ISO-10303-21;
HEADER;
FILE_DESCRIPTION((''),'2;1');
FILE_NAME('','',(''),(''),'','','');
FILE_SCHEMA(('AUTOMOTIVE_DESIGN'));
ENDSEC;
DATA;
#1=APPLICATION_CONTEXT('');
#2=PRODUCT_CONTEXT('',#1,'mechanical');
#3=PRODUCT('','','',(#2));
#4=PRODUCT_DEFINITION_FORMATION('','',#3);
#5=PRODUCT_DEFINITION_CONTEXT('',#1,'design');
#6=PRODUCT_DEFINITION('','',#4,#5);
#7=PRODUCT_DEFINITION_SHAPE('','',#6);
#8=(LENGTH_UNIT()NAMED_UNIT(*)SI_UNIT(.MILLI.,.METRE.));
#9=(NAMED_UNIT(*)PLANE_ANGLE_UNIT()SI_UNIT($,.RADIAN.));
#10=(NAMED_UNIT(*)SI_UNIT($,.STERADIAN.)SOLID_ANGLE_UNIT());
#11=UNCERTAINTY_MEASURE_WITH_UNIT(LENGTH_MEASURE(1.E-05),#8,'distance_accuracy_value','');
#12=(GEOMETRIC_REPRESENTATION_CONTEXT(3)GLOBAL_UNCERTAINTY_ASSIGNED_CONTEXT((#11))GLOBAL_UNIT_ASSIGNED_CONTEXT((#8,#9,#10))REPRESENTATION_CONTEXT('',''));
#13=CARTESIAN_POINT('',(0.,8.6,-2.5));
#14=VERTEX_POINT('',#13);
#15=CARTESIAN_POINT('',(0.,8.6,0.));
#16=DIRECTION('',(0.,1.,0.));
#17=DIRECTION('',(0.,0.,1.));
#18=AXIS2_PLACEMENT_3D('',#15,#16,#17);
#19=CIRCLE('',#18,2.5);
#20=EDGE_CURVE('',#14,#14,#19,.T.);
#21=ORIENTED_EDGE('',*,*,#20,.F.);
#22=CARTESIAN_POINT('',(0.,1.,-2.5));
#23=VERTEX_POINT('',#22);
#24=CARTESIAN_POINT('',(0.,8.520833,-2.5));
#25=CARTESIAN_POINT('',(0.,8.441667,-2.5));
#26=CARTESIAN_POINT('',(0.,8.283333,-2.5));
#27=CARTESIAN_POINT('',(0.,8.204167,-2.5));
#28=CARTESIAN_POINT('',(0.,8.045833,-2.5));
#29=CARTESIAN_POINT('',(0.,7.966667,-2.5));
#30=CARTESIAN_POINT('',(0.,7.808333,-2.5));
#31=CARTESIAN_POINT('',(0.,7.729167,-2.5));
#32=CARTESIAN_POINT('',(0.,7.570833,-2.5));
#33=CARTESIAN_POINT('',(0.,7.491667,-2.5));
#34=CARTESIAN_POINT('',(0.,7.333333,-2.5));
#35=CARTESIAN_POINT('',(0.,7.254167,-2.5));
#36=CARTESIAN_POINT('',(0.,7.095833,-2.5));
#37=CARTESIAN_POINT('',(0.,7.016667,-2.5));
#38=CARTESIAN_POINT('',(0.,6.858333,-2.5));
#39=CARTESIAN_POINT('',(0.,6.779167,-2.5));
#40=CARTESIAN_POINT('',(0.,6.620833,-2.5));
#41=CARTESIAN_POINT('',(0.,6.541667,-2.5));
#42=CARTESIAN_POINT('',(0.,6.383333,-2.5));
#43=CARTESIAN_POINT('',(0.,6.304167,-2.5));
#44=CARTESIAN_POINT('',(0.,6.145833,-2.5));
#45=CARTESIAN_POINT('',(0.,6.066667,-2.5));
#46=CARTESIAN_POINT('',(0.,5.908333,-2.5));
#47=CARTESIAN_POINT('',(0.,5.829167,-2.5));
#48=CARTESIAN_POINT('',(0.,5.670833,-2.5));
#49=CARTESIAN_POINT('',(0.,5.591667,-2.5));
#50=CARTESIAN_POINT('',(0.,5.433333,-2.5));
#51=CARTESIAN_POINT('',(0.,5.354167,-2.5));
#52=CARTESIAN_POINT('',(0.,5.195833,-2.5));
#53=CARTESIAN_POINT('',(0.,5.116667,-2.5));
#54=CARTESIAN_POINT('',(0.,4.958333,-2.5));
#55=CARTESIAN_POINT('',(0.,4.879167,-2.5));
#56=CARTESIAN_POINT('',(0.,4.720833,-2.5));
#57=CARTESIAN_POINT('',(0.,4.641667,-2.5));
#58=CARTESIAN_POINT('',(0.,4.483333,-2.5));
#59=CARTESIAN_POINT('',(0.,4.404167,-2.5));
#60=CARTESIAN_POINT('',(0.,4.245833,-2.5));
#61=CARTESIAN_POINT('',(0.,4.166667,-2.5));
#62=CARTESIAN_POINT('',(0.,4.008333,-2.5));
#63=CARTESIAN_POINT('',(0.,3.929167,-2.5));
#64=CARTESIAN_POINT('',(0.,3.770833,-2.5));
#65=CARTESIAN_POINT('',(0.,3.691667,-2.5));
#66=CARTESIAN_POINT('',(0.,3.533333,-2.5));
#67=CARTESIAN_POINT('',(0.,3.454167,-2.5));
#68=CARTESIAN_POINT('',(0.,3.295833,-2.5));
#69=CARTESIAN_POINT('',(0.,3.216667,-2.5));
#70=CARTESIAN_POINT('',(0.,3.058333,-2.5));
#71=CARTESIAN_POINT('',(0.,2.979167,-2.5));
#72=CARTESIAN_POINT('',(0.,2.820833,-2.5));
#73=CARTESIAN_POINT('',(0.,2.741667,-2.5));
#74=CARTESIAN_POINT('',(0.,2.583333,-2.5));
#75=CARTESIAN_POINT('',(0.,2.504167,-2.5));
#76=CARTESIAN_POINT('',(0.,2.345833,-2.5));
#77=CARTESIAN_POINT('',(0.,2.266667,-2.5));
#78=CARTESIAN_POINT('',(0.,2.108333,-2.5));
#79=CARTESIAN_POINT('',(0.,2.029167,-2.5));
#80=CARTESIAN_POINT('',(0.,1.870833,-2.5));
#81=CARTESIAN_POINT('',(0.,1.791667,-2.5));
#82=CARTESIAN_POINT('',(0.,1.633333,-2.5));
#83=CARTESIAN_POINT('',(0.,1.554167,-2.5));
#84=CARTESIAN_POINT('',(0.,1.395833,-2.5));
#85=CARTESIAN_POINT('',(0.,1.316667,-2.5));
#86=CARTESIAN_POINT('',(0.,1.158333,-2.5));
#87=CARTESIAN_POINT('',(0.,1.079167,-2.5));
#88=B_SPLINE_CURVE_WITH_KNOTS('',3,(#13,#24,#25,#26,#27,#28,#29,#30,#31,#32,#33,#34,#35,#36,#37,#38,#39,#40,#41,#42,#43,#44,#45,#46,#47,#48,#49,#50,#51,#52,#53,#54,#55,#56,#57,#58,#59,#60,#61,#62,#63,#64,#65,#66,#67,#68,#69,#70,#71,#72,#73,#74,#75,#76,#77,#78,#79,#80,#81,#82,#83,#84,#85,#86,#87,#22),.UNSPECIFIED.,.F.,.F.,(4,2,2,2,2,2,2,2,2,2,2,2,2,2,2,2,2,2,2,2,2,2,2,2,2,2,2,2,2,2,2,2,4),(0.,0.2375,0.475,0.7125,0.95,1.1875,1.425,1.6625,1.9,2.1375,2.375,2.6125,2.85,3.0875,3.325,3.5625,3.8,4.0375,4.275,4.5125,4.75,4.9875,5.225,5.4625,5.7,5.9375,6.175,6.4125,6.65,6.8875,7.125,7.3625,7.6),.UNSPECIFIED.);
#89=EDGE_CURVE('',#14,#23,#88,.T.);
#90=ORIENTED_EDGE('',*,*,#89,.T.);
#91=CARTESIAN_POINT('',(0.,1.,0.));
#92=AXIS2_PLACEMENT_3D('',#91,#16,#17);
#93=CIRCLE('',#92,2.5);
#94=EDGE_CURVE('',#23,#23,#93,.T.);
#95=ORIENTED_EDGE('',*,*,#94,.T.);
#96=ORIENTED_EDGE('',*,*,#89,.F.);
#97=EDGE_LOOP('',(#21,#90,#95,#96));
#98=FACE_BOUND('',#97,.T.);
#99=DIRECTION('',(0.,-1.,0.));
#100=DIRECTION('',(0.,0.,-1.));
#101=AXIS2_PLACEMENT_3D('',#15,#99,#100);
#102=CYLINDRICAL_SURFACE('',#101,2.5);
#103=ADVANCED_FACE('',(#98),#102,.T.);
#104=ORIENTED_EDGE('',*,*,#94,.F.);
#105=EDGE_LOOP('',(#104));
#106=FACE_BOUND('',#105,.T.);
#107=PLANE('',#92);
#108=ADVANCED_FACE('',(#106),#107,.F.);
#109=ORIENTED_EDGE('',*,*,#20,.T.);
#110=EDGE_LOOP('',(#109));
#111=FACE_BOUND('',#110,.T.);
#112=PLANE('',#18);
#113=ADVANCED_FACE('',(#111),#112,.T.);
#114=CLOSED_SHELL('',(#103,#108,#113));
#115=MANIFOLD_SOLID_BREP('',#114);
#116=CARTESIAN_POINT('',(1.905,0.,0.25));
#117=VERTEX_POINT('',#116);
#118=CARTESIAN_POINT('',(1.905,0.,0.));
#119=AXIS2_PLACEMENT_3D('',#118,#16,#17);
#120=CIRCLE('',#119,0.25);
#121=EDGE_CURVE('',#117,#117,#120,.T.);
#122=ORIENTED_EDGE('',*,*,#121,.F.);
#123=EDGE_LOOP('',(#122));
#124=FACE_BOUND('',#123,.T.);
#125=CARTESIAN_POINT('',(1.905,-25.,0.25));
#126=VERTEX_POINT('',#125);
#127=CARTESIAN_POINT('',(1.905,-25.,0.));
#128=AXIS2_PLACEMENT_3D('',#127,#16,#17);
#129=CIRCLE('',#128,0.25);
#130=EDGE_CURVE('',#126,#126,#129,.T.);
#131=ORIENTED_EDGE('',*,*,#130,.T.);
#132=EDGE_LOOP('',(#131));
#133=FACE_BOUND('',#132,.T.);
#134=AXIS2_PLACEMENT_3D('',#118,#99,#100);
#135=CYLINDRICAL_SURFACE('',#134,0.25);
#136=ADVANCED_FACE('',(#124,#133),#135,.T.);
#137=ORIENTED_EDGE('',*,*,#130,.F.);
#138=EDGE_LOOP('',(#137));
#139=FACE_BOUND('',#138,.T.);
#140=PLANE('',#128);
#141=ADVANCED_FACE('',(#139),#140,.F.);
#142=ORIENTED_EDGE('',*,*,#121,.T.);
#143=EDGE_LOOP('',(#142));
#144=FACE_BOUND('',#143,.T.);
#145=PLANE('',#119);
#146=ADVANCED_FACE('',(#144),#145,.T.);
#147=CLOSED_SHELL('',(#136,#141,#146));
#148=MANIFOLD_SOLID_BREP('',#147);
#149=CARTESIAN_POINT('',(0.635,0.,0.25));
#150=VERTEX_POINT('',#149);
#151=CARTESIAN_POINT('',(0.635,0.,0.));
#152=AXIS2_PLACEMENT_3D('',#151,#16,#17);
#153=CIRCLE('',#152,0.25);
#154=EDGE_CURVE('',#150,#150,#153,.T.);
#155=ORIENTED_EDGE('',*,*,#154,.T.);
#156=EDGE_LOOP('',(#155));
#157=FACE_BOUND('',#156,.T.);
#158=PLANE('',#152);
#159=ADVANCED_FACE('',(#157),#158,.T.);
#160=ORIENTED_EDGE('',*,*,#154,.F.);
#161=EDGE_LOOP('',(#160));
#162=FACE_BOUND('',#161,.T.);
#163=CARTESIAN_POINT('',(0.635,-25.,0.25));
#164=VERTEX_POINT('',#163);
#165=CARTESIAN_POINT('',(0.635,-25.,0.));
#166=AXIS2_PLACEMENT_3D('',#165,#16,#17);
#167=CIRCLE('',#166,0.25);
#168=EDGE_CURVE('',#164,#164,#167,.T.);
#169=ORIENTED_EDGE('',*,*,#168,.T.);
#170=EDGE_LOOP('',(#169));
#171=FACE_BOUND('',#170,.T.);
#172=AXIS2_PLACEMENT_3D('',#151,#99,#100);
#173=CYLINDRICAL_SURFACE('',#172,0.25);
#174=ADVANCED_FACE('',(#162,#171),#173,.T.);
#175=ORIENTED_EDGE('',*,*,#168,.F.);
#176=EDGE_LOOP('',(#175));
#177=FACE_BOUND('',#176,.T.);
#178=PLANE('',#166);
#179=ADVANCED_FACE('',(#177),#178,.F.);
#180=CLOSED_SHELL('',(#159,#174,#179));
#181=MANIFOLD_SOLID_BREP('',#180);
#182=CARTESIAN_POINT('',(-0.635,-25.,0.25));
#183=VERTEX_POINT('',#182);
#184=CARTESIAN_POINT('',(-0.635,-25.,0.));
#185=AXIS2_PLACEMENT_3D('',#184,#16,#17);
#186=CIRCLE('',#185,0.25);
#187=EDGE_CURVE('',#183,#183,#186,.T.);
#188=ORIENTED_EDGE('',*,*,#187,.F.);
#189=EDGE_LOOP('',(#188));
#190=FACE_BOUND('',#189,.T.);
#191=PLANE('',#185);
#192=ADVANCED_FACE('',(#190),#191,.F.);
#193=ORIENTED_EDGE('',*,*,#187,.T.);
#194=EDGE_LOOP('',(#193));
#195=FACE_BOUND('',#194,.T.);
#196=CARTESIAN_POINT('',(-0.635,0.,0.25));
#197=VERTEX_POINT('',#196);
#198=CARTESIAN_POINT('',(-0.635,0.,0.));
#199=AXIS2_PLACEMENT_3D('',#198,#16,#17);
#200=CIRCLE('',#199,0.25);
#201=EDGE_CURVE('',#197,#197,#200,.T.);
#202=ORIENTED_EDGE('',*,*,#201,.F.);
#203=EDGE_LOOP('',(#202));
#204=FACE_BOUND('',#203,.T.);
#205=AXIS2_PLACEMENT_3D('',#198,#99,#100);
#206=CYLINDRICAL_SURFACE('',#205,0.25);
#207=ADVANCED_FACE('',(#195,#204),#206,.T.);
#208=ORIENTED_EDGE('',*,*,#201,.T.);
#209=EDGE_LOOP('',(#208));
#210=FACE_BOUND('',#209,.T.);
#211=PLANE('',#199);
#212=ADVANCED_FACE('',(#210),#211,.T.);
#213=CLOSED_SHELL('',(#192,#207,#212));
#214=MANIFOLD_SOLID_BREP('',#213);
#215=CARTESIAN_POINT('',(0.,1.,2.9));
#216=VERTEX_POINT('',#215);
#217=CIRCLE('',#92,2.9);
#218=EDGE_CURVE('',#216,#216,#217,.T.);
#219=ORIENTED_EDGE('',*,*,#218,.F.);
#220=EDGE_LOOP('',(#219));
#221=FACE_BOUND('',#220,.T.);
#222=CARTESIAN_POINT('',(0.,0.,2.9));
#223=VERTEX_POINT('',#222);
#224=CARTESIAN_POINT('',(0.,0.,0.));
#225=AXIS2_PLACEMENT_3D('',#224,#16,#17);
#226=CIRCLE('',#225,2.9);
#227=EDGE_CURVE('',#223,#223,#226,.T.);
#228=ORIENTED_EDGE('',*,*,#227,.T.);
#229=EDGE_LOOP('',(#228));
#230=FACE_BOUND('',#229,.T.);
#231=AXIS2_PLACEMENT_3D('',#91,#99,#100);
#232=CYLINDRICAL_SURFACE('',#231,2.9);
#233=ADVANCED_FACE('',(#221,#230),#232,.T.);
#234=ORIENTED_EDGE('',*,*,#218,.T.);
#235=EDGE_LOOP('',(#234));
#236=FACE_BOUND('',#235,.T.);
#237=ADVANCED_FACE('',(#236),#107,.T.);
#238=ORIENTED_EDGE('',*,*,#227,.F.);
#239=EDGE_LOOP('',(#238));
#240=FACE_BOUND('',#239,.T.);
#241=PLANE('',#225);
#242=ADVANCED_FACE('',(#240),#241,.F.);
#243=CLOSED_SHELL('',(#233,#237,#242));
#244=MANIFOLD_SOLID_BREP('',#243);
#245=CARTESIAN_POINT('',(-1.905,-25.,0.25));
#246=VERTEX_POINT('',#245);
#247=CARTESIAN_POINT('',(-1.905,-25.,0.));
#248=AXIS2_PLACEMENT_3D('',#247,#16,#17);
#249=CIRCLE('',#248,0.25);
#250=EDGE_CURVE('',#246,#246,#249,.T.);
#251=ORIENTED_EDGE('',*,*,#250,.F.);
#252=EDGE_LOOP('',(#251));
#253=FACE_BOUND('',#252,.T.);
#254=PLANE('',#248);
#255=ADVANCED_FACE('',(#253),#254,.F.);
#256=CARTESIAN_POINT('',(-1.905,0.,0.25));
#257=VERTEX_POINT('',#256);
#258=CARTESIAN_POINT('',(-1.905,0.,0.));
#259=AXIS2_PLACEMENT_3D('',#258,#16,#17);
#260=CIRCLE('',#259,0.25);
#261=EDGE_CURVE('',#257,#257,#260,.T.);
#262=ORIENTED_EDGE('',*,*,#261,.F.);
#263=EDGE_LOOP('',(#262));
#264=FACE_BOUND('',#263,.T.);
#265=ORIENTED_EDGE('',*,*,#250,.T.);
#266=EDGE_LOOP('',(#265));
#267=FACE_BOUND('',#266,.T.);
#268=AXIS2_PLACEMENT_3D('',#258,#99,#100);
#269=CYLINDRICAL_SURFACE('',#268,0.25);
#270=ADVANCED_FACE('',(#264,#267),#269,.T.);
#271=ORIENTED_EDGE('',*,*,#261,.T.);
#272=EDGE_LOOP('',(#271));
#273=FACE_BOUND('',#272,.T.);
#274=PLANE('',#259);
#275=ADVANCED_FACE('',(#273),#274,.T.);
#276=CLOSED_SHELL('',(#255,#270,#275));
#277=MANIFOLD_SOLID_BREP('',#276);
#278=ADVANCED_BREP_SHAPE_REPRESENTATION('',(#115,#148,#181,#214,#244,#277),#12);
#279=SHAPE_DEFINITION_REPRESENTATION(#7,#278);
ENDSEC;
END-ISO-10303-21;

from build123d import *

# Parameters (mm, degrees)
LEADS_START   = -25
SK_LEADS_R    = 0.25
LEADS_DEPTH   = 25
LEADS_2_DEPTH = 25
LEADS_3_DEPTH = 25
LEADS_4_DEPTH = 25
SK_FLANGE_R   = 2.9
FLANGE_DEPTH  = 1
LENS_START    = 1
SK_LENS_R     = 2.5
LENS_DEPTH    = 7.6


with BuildPart() as part:
    # SK Leads → Leads (new body)
    with BuildSketch(Plane(origin=(0, 0, 0), x_dir=(1, 0, 0), z_dir=(0, 1, 0)).offset(LEADS_START)):
        with Locations(Location((-1.905, 0, 0), (0, 0, 270))):
            Circle(SK_LEADS_R)
    extrude(amount=LEADS_DEPTH)


with BuildPart() as body_2:
    # SK Leads → Leads 2 (new body)
    with BuildSketch(Plane(origin=(0, 0, 0), x_dir=(1, 0, 0), z_dir=(0, 1, 0)).offset(LEADS_START)):
        with Locations(Location((-0.635, 0, 0), (0, 0, 270))):
            Circle(SK_LEADS_R)
    extrude(amount=LEADS_2_DEPTH)


with BuildPart() as body_3:
    # SK Leads → Leads 3 (new body)
    with BuildSketch(Plane(origin=(0, 0, 0), x_dir=(1, 0, 0), z_dir=(0, 1, 0)).offset(LEADS_START)):
        with Locations(Location((0.635, 0, 0), (0, 0, 270))):
            Circle(SK_LEADS_R)
    extrude(amount=LEADS_3_DEPTH)


with BuildPart() as body_4:
    # SK Leads → Leads 4 (new body)
    with BuildSketch(Plane(origin=(0, 0, 0), x_dir=(1, 0, 0), z_dir=(0, 1, 0)).offset(LEADS_START)):
        with Locations(Location((1.905, 0, 0), (0, 0, 270))):
            Circle(SK_LEADS_R)
    extrude(amount=LEADS_4_DEPTH)


with BuildPart() as body_5:
    # SK Flange → Flange (new body)
    with BuildSketch(Plane(origin=(0, 0, 0), x_dir=(1, 0, 0), z_dir=(0, 1, 0))):
        with Locations(Location((0, 0, 0), (0, 0, 270))):
            Circle(SK_FLANGE_R)
    extrude(amount=FLANGE_DEPTH)


with BuildPart() as body_6:
    # SK Lens → Lens (new body)
    with BuildSketch(Plane(origin=(0, 0, 0), x_dir=(1, 0, 0), z_dir=(0, 1, 0)).offset(LENS_START)):
        with Locations(Location((0, 0, 0), (0, 0, 90))):
            Circle(SK_LENS_R)
    extrude(amount=LENS_DEPTH)


solid = Compound([part.part, body_2.part, body_3.part, body_4.part, body_5.part, body_6.part])
